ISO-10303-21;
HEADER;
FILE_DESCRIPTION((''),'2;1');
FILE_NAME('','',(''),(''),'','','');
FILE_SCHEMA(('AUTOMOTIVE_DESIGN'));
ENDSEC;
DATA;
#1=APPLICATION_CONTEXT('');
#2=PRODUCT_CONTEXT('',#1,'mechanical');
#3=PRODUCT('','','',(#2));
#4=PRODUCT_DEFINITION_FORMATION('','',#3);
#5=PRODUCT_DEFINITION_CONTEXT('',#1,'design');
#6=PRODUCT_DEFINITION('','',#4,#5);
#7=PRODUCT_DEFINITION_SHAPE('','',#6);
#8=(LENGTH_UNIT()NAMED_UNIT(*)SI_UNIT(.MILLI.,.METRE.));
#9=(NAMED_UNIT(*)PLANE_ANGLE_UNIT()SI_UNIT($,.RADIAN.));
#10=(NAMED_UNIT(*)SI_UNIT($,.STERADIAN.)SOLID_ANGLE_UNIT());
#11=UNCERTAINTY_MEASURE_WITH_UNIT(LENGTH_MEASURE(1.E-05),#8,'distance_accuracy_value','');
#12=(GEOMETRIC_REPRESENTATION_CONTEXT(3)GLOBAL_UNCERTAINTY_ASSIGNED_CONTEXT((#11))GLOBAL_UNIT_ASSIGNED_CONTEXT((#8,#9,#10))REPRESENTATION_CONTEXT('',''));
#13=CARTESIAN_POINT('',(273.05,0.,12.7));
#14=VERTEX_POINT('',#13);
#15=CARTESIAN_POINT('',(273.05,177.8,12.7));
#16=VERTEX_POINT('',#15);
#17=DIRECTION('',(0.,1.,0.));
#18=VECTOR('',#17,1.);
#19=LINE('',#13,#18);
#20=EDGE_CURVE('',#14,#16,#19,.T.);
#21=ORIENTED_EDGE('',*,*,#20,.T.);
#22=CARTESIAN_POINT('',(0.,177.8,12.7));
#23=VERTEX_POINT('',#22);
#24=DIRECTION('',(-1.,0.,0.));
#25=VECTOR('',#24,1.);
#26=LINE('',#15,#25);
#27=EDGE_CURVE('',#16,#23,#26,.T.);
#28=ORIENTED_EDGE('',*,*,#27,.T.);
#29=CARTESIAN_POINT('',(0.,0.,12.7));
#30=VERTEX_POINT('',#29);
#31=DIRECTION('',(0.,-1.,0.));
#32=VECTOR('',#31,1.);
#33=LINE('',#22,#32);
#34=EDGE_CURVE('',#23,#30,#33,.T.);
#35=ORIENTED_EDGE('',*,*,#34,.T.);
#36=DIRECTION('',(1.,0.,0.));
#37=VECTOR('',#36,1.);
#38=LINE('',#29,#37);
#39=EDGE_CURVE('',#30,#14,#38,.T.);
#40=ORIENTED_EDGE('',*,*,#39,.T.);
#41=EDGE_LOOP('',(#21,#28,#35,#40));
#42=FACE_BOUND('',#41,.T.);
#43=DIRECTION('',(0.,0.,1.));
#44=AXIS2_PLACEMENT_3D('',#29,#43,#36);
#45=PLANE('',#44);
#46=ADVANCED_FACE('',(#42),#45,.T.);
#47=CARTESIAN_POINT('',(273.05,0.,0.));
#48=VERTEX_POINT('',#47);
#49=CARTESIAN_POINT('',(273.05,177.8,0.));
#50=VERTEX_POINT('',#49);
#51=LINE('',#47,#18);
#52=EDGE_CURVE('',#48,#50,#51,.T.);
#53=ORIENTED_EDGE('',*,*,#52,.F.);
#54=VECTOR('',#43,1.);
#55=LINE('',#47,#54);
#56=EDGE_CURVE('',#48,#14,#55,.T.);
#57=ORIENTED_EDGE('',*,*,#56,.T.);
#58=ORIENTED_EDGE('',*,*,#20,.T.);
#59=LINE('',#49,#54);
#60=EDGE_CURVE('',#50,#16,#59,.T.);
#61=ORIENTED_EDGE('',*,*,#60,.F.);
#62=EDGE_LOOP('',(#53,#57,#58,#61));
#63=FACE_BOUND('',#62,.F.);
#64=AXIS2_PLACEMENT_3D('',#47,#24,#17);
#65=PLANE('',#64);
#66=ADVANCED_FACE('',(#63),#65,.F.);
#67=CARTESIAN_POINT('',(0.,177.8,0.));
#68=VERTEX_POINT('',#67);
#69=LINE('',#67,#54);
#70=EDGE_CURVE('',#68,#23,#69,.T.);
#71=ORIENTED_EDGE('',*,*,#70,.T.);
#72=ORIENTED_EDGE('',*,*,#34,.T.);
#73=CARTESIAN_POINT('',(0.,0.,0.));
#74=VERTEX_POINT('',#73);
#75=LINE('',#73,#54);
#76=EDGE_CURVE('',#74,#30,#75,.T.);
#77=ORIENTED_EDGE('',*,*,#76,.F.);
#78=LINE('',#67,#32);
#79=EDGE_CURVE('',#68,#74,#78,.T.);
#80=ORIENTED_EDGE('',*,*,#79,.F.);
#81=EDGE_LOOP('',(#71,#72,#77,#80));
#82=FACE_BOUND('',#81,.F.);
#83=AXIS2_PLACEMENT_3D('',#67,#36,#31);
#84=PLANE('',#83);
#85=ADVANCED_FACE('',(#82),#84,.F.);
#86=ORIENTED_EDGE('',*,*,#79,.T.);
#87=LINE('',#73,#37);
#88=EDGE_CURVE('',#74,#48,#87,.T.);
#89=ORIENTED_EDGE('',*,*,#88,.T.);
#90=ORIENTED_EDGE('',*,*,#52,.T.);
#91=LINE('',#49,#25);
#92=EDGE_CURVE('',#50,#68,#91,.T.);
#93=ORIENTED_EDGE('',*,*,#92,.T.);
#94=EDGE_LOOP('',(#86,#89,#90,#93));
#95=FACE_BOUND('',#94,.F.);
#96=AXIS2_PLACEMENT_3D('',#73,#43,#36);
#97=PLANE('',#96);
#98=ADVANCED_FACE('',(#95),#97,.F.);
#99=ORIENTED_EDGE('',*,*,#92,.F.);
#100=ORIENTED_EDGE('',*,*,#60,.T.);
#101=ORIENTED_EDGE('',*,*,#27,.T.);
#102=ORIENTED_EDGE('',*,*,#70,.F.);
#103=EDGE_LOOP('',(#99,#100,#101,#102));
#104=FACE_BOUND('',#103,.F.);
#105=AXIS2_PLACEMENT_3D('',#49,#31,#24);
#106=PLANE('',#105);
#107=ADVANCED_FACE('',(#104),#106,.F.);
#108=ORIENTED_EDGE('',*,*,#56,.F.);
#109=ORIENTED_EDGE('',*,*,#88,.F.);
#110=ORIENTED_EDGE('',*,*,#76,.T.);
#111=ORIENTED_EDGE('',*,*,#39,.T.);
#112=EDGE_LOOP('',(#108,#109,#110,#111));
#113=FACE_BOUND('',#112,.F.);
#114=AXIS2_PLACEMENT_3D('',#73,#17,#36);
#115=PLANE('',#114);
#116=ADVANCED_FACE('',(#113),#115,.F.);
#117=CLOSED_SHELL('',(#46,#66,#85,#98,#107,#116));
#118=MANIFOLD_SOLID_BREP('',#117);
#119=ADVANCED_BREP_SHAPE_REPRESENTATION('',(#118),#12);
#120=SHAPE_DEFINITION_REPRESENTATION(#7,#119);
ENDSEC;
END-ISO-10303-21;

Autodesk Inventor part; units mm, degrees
ref_plane "YZ Plane" through (0, 0, 0) normal (1, 0, 0) x (0, 1, 0)
ref_plane "XZ Plane" through (0, 0, 0) normal (0, 1, 0) x (-1, 0, 0)
ref_plane "XY Plane" through (0, 0, 0) normal (0, 0, 1) x (1, 0, 0)
sketch "Sketch1" plane through (0, 0, 0) normal (0, 0, 1) x (1, 0, 0)
  line L0 (0, 0) -> (273.05, 0)
  line L1 (273.05, 0) -> (273.05, 177.8)
  line L2 (273.05, 177.8) -> (0, 177.8)
  line L3 (0, 177.8) -> (0, 0)
  dimension "d0" = 273.05
  dimension "d1" = 177.8
extrude "Extrusion1" add sketch "Sketch1" along normal blind 12.7
properties part number "Side Piece" material "Wood (Oak)"
